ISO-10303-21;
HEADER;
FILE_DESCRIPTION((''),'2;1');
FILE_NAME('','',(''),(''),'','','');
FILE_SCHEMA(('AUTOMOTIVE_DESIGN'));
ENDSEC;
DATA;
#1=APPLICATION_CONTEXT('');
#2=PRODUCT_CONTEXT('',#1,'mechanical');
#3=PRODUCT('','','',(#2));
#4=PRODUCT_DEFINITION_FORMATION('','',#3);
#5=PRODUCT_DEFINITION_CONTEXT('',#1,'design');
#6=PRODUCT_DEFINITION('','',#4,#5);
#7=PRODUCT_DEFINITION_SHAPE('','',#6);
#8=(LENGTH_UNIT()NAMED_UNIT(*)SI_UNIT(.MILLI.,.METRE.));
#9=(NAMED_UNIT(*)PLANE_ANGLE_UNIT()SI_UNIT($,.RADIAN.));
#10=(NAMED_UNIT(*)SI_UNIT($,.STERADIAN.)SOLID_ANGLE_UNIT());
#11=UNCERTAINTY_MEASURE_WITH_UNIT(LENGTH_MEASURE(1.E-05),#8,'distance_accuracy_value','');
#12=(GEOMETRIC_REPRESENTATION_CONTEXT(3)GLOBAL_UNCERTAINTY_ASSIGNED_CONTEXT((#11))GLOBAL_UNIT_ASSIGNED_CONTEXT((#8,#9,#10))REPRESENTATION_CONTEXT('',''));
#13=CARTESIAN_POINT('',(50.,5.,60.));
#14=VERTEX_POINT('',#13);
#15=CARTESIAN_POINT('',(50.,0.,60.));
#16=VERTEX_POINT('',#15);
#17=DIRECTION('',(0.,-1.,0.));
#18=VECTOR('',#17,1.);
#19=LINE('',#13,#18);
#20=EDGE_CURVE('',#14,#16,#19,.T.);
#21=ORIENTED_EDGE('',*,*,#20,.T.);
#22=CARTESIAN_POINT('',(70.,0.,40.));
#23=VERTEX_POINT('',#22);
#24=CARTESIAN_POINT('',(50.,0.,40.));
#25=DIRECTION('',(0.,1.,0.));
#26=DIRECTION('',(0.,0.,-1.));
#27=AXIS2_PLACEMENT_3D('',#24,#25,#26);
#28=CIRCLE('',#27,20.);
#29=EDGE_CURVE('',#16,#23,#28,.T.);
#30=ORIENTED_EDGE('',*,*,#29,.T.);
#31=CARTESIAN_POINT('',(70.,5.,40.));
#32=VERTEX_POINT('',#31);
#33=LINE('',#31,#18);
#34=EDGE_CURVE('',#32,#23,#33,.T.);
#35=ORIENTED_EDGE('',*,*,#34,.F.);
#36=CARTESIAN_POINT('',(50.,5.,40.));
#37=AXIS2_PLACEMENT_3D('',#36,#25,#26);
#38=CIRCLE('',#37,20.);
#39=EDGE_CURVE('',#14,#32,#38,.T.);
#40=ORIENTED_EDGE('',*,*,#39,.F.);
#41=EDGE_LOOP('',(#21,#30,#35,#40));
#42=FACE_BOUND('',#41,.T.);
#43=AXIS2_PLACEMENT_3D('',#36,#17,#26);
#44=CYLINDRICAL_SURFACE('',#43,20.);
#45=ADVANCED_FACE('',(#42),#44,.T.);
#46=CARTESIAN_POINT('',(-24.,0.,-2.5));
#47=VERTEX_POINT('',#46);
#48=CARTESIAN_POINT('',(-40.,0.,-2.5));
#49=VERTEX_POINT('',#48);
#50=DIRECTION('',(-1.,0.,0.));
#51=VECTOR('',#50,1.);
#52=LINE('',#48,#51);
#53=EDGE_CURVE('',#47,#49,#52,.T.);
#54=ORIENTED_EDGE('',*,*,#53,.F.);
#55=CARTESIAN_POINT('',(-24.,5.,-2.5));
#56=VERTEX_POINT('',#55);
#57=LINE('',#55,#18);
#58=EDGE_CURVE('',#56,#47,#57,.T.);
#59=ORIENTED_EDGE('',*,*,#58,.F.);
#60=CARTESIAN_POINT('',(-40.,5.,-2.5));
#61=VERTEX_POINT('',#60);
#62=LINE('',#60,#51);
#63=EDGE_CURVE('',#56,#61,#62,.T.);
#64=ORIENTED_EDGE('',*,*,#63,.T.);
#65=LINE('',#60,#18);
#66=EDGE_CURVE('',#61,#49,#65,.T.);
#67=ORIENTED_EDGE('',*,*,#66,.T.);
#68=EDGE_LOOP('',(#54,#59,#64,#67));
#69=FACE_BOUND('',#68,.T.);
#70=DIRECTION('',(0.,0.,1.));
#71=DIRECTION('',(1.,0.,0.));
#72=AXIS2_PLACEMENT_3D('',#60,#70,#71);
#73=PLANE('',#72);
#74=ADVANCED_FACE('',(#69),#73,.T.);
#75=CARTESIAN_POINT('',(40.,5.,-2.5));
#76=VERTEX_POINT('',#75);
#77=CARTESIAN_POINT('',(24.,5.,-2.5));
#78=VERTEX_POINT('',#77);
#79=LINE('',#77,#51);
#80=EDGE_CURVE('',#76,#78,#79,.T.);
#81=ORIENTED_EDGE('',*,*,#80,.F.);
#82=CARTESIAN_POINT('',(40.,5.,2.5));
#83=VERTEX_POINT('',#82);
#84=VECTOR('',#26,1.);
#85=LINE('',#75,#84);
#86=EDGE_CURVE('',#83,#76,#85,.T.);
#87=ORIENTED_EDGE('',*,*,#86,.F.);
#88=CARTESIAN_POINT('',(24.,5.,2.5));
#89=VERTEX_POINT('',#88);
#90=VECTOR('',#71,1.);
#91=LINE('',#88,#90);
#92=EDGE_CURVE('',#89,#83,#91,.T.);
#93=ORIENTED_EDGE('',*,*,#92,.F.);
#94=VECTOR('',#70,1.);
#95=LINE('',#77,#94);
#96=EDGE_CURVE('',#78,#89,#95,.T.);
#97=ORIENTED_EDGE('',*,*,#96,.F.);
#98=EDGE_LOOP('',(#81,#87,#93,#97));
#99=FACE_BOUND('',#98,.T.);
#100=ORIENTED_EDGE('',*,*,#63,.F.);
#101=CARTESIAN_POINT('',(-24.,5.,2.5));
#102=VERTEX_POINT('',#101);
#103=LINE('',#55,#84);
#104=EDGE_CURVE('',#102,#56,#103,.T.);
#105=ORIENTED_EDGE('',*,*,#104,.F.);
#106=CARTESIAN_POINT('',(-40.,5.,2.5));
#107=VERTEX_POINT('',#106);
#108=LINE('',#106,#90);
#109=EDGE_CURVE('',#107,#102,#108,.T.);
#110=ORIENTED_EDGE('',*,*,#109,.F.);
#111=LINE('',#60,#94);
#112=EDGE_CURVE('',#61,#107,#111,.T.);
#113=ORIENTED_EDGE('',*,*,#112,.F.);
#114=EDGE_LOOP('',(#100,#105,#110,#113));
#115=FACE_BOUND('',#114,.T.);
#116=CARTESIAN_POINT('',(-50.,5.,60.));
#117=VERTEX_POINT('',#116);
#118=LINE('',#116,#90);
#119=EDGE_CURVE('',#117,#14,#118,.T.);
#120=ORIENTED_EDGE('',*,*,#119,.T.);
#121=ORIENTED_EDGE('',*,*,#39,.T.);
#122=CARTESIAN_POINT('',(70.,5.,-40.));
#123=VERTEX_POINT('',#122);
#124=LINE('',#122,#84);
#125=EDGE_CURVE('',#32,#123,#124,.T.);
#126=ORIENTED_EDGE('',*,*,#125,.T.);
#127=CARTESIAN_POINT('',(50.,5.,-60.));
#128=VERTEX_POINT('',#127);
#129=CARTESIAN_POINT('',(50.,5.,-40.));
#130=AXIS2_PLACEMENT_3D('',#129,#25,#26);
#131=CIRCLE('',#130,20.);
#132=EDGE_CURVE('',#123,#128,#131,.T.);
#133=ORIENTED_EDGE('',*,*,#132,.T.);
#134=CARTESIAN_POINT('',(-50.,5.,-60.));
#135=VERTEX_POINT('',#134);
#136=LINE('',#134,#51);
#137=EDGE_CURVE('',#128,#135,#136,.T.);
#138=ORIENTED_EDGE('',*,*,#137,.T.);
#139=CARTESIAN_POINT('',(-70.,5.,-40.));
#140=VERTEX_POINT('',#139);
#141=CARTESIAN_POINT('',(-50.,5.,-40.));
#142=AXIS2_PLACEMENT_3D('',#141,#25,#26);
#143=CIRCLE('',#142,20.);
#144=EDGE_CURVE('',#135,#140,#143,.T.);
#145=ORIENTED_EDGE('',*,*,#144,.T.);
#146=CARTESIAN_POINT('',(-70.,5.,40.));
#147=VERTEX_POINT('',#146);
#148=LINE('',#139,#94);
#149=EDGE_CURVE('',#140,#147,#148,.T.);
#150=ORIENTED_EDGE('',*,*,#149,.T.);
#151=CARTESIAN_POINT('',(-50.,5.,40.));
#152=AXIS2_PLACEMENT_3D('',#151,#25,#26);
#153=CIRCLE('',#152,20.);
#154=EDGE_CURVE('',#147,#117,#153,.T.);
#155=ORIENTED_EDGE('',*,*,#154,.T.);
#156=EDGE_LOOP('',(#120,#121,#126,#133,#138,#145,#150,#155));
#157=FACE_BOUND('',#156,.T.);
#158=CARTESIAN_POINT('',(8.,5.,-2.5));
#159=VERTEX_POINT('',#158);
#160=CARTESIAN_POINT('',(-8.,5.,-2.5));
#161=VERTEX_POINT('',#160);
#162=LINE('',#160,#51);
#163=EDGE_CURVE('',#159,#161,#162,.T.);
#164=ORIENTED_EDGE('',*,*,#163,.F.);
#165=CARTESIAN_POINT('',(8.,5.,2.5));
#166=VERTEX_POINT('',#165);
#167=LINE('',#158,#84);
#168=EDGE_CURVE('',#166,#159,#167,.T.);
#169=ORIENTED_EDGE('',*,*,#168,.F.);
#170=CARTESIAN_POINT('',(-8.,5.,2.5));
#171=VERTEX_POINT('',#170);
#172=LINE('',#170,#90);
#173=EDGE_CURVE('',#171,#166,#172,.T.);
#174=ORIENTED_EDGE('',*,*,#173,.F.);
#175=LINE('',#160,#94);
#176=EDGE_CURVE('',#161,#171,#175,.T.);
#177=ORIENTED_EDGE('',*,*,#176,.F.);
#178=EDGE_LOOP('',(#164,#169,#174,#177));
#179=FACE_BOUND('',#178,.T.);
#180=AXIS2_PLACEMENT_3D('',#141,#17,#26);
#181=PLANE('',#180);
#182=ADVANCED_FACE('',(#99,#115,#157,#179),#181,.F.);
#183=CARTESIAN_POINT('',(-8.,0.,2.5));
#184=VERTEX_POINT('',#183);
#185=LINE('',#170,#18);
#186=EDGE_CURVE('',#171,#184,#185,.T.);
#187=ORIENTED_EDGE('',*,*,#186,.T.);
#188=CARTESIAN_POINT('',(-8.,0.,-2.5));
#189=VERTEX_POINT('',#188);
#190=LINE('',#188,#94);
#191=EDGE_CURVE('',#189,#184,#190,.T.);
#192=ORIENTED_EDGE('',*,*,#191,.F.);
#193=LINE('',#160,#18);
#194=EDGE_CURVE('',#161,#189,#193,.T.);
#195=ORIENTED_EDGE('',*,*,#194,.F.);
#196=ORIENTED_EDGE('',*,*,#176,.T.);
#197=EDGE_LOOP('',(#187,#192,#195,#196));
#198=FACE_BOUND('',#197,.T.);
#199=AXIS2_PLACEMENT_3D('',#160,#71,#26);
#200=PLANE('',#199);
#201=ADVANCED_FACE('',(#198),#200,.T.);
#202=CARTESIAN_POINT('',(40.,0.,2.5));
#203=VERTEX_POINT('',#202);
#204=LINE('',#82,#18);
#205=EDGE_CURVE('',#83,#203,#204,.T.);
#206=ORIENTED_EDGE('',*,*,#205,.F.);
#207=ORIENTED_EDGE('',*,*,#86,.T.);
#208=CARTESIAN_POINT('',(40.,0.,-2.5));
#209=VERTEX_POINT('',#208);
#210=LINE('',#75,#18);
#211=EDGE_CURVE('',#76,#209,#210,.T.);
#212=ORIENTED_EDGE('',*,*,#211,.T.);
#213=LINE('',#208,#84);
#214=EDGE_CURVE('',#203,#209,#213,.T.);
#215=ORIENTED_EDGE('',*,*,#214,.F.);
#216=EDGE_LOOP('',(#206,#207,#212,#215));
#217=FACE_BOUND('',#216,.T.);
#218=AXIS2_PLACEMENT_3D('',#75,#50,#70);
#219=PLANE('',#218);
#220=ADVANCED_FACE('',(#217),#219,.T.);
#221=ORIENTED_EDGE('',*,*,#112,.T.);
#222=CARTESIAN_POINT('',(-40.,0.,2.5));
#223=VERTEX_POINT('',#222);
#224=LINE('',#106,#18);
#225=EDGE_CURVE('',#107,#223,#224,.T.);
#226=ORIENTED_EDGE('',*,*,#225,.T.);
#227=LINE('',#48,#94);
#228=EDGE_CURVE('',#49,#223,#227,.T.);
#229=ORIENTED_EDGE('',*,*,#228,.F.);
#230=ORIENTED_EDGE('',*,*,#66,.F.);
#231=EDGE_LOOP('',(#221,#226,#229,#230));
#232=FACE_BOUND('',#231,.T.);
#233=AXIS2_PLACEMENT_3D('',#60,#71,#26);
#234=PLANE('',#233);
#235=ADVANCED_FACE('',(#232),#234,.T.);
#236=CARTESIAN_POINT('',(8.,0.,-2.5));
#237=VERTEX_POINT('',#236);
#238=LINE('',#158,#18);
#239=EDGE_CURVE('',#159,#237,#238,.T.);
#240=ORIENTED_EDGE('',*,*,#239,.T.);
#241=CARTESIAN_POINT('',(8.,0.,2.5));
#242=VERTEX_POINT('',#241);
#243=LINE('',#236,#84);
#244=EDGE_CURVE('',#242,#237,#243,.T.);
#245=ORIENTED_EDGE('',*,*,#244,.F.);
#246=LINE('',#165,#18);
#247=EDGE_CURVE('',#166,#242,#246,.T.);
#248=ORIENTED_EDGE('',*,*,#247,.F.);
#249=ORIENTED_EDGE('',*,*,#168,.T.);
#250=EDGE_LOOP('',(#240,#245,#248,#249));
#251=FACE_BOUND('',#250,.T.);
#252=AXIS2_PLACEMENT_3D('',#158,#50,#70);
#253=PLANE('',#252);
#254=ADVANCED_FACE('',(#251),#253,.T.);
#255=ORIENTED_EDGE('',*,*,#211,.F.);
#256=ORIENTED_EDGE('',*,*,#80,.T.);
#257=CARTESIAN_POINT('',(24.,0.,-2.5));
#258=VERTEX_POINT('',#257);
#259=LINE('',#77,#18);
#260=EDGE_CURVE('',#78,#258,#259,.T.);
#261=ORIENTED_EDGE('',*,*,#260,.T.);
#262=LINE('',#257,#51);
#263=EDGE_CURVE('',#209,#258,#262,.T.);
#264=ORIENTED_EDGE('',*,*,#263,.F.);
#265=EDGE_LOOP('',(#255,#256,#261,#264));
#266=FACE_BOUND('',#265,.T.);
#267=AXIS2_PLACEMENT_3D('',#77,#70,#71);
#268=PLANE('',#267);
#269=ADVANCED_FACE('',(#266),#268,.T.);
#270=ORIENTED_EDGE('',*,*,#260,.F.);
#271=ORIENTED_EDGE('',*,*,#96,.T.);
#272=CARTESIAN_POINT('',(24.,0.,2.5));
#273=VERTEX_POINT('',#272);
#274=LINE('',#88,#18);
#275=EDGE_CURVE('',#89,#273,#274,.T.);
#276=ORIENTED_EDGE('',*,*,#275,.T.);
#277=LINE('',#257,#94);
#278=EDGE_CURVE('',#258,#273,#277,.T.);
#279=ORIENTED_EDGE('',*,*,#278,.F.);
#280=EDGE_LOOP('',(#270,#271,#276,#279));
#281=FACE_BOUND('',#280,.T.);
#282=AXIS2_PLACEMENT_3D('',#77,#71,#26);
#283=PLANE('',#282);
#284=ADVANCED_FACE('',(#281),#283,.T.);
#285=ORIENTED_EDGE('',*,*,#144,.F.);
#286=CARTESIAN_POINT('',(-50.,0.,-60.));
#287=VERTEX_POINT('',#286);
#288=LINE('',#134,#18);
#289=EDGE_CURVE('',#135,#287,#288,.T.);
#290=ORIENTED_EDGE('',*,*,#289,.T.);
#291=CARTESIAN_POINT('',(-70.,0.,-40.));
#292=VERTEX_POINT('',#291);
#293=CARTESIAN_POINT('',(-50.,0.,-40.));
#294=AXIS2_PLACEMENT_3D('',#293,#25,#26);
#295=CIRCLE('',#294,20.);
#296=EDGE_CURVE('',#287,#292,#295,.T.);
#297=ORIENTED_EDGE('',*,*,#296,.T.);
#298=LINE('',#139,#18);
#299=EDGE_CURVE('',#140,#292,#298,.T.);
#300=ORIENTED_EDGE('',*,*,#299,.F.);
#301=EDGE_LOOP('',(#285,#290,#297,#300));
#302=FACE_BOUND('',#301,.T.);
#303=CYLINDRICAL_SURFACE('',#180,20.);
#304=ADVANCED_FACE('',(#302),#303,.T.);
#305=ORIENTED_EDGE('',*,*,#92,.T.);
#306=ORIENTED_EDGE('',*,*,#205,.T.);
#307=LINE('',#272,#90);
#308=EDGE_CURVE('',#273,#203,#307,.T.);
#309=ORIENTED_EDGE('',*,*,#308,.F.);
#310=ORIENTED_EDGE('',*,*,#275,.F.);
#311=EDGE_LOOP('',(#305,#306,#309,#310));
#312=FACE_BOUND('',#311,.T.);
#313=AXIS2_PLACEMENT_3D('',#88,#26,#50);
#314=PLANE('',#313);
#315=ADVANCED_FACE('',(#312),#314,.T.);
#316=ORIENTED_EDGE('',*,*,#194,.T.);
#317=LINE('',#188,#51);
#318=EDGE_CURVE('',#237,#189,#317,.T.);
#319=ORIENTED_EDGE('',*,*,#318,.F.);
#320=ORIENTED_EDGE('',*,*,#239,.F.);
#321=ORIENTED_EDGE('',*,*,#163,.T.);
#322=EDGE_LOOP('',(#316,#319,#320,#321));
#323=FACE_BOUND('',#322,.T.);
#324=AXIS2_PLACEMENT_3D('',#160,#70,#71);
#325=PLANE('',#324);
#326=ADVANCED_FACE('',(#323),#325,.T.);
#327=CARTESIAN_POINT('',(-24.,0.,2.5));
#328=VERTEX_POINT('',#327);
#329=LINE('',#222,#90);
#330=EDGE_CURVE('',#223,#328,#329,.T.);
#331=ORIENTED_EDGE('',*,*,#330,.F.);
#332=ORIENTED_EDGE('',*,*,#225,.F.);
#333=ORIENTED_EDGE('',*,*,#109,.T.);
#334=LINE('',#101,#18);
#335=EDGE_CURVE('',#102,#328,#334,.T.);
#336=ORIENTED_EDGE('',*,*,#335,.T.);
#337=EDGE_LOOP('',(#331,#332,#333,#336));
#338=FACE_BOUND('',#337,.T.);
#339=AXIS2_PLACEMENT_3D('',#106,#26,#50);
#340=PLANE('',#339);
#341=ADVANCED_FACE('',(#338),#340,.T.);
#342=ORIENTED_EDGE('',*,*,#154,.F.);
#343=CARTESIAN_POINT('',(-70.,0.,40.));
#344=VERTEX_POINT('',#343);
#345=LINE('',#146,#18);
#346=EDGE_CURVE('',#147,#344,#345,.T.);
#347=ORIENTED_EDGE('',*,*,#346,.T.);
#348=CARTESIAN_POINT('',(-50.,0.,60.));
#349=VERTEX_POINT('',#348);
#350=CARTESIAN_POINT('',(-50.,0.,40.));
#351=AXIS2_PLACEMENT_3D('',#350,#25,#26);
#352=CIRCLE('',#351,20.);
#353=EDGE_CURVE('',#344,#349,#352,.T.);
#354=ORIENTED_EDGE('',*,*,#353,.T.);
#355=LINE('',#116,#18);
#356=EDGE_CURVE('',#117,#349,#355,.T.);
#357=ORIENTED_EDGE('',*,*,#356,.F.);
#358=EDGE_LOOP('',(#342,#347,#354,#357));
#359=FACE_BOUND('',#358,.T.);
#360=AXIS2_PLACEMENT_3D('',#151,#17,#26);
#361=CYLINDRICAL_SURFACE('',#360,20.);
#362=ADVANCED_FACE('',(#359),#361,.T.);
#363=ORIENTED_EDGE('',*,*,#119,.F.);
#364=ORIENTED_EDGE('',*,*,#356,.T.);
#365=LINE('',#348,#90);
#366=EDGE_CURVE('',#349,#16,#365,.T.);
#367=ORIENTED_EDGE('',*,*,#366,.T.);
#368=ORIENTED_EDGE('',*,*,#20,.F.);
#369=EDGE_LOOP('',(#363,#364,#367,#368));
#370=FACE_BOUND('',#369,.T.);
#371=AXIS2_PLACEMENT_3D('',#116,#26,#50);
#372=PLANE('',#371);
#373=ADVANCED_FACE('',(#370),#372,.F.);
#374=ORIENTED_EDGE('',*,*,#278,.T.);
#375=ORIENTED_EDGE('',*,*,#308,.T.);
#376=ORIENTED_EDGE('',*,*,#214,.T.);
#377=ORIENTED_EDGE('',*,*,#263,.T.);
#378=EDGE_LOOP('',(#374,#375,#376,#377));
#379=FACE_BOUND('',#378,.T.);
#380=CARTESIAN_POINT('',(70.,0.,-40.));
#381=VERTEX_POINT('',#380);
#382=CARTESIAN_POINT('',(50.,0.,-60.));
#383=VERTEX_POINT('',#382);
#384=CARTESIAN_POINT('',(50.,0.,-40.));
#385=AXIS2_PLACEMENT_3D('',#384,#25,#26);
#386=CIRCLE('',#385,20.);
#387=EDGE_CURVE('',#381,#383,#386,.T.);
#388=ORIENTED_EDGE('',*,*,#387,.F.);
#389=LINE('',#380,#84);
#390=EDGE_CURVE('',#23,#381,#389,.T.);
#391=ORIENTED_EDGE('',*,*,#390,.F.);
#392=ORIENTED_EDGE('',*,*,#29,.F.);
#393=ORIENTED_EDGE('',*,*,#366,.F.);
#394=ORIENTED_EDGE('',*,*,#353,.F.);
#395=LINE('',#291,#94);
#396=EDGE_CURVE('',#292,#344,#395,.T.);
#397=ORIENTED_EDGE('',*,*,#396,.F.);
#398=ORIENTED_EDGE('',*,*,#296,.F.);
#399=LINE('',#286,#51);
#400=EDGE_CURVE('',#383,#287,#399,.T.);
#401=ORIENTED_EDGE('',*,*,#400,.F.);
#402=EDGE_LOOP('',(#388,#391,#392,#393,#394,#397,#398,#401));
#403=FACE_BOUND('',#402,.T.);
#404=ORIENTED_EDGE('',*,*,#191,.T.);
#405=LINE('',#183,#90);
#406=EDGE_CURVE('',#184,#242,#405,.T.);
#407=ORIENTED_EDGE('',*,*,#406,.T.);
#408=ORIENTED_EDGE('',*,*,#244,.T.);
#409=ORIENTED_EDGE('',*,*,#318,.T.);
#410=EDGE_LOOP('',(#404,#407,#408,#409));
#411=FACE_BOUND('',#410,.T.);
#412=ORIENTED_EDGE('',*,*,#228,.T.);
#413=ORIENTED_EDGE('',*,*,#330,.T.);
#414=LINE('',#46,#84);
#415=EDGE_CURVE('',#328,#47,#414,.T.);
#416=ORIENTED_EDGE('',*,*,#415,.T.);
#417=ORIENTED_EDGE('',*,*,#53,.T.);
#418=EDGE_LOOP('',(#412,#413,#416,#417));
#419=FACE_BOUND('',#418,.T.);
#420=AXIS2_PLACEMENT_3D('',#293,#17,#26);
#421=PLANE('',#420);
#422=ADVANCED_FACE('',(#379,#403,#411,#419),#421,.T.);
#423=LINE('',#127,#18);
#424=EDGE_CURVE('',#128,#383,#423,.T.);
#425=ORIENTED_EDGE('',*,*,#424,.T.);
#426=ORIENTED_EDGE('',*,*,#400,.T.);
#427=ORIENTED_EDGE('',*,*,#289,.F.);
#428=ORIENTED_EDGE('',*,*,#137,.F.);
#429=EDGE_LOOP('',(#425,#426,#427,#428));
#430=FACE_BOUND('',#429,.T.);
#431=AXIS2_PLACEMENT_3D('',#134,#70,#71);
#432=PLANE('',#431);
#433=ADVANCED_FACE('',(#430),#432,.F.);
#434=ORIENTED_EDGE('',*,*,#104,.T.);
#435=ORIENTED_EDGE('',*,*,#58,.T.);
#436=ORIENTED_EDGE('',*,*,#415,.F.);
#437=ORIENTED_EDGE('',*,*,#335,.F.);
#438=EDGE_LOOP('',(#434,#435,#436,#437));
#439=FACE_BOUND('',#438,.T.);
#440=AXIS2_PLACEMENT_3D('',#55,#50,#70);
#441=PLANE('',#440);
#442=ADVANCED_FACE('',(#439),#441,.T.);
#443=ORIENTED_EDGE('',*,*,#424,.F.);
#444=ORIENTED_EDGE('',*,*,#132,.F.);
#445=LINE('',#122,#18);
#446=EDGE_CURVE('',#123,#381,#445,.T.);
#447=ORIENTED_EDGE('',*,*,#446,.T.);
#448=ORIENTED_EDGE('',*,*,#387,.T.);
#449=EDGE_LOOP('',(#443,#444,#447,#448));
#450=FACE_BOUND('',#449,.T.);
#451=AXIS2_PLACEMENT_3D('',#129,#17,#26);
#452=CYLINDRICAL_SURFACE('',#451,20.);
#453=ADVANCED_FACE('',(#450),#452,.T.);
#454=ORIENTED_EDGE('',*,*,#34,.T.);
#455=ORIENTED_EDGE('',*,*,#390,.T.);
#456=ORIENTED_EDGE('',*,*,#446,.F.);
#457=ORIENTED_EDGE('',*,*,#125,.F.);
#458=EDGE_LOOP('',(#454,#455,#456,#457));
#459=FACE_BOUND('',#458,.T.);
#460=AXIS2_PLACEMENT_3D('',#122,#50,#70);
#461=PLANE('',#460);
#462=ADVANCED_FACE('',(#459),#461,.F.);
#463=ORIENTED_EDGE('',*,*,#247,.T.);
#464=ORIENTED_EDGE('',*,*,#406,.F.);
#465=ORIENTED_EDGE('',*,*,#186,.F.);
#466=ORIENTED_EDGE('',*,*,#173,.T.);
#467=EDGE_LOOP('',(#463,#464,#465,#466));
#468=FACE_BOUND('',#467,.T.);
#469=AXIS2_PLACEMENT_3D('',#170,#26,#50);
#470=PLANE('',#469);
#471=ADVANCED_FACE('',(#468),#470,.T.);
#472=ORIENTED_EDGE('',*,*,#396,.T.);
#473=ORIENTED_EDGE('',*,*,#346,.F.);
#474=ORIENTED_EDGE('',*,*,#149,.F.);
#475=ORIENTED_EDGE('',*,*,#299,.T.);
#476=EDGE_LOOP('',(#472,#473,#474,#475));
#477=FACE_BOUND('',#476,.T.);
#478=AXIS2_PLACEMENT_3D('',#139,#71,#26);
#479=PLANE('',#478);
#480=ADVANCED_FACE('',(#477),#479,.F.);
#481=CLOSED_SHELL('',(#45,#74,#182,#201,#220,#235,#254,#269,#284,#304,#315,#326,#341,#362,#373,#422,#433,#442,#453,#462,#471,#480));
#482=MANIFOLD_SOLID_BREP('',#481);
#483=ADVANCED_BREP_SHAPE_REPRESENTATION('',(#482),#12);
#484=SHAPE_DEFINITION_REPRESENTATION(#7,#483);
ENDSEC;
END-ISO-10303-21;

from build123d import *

# Parameters (mm, degrees)
SKETCH1_W           = 16
SKETCH1_H           = 5
BOSS_EXTRUDE1_DEPTH = 5


with BuildPart() as part:
    # Sketch1 → Boss-Extrude1 (new body)
    with BuildSketch(Plane(origin=(0, 0, 0), x_dir=(1, 0, 0), z_dir=(0, 1, 0))):
        with BuildLine():
            Line((-50, 60), (50, 60))
            ThreePointArc((50, 60), (64.142135624, 54.142135624), (70, 40))
            Line((70, 40), (70, -40))
            ThreePointArc((70, -40), (64.142135624, -54.142135624), (50, -60))
            Line((50, -60), (-50, -60))
            ThreePointArc((-50, -60), (-64.142135624, -54.142135624), (-70, -40))
            Line((-70, -40), (-70, 40))
            ThreePointArc((-70, 40), (-64.142135624, 54.142135624), (-50, 60))
        make_face()
        Rectangle(SKETCH1_W, SKETCH1_H, mode=Mode.SUBTRACT)
        with Locations((-32, 0)):
            Rectangle(SKETCH1_W, SKETCH1_H, mode=Mode.SUBTRACT)
        with Locations((32, 0)):
            Rectangle(SKETCH1_W, SKETCH1_H, mode=Mode.SUBTRACT)
    extrude(amount=BOSS_EXTRUDE1_DEPTH)


solid = part.part
